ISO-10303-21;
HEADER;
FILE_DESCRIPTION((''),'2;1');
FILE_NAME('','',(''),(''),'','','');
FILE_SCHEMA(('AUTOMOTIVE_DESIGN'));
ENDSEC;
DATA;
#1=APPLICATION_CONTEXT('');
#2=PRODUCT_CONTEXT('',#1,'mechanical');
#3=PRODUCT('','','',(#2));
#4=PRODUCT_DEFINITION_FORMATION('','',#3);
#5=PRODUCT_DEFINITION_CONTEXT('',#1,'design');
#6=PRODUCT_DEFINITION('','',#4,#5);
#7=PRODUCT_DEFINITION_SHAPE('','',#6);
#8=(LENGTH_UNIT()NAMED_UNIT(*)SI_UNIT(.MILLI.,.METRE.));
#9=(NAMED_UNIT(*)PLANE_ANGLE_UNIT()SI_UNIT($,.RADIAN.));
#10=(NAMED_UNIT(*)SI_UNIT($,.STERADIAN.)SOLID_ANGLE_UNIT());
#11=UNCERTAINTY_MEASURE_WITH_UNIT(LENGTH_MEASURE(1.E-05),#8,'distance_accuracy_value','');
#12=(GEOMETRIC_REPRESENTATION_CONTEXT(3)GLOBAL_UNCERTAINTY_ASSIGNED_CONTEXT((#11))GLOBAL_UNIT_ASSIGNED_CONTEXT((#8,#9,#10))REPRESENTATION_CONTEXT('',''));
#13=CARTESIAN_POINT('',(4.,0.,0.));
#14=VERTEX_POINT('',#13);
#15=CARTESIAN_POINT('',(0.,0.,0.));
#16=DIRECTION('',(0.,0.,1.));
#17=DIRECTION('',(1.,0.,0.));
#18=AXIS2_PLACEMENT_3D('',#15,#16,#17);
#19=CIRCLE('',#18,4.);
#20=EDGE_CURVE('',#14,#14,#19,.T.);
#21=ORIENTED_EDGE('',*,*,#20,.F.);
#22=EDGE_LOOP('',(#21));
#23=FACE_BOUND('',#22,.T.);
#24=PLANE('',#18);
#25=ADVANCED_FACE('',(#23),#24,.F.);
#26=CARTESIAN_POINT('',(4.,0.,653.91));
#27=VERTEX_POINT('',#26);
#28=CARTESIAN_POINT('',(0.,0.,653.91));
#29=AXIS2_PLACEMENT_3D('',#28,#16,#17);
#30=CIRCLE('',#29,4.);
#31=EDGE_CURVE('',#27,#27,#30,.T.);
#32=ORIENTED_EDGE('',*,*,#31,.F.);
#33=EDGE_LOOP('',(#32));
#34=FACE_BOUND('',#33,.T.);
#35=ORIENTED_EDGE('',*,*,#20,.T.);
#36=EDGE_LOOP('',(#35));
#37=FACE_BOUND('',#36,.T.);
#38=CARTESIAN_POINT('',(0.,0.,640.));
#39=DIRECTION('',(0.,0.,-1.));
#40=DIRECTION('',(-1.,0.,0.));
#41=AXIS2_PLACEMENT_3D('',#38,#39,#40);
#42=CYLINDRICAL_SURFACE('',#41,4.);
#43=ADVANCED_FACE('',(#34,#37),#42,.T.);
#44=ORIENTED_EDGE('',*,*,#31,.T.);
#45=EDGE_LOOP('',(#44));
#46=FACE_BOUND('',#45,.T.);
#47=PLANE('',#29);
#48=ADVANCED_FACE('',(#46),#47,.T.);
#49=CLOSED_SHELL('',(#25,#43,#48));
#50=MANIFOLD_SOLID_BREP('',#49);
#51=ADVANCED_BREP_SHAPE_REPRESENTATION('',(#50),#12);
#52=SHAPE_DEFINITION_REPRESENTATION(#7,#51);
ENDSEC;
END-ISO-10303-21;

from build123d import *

# Parameters (mm, degrees)
SKETCH_1_R      = 4
EXTRUDE_1_DEPTH = 640
SKETCH_2_R      = 4
EXTRUDE_2_DEPTH = 13.91


with BuildPart() as part:
    # 스케치1 → 보스-돌출1 (new body)
    with BuildSketch(Plane.XY):
        Circle(SKETCH_1_R)
    extrude(amount=EXTRUDE_1_DEPTH)

    # 스케치2 → 보스-돌출2 (add)
    with BuildSketch(Plane.XY.offset(640)):
        Circle(SKETCH_2_R)
    extrude(amount=EXTRUDE_2_DEPTH)


solid = part.part
